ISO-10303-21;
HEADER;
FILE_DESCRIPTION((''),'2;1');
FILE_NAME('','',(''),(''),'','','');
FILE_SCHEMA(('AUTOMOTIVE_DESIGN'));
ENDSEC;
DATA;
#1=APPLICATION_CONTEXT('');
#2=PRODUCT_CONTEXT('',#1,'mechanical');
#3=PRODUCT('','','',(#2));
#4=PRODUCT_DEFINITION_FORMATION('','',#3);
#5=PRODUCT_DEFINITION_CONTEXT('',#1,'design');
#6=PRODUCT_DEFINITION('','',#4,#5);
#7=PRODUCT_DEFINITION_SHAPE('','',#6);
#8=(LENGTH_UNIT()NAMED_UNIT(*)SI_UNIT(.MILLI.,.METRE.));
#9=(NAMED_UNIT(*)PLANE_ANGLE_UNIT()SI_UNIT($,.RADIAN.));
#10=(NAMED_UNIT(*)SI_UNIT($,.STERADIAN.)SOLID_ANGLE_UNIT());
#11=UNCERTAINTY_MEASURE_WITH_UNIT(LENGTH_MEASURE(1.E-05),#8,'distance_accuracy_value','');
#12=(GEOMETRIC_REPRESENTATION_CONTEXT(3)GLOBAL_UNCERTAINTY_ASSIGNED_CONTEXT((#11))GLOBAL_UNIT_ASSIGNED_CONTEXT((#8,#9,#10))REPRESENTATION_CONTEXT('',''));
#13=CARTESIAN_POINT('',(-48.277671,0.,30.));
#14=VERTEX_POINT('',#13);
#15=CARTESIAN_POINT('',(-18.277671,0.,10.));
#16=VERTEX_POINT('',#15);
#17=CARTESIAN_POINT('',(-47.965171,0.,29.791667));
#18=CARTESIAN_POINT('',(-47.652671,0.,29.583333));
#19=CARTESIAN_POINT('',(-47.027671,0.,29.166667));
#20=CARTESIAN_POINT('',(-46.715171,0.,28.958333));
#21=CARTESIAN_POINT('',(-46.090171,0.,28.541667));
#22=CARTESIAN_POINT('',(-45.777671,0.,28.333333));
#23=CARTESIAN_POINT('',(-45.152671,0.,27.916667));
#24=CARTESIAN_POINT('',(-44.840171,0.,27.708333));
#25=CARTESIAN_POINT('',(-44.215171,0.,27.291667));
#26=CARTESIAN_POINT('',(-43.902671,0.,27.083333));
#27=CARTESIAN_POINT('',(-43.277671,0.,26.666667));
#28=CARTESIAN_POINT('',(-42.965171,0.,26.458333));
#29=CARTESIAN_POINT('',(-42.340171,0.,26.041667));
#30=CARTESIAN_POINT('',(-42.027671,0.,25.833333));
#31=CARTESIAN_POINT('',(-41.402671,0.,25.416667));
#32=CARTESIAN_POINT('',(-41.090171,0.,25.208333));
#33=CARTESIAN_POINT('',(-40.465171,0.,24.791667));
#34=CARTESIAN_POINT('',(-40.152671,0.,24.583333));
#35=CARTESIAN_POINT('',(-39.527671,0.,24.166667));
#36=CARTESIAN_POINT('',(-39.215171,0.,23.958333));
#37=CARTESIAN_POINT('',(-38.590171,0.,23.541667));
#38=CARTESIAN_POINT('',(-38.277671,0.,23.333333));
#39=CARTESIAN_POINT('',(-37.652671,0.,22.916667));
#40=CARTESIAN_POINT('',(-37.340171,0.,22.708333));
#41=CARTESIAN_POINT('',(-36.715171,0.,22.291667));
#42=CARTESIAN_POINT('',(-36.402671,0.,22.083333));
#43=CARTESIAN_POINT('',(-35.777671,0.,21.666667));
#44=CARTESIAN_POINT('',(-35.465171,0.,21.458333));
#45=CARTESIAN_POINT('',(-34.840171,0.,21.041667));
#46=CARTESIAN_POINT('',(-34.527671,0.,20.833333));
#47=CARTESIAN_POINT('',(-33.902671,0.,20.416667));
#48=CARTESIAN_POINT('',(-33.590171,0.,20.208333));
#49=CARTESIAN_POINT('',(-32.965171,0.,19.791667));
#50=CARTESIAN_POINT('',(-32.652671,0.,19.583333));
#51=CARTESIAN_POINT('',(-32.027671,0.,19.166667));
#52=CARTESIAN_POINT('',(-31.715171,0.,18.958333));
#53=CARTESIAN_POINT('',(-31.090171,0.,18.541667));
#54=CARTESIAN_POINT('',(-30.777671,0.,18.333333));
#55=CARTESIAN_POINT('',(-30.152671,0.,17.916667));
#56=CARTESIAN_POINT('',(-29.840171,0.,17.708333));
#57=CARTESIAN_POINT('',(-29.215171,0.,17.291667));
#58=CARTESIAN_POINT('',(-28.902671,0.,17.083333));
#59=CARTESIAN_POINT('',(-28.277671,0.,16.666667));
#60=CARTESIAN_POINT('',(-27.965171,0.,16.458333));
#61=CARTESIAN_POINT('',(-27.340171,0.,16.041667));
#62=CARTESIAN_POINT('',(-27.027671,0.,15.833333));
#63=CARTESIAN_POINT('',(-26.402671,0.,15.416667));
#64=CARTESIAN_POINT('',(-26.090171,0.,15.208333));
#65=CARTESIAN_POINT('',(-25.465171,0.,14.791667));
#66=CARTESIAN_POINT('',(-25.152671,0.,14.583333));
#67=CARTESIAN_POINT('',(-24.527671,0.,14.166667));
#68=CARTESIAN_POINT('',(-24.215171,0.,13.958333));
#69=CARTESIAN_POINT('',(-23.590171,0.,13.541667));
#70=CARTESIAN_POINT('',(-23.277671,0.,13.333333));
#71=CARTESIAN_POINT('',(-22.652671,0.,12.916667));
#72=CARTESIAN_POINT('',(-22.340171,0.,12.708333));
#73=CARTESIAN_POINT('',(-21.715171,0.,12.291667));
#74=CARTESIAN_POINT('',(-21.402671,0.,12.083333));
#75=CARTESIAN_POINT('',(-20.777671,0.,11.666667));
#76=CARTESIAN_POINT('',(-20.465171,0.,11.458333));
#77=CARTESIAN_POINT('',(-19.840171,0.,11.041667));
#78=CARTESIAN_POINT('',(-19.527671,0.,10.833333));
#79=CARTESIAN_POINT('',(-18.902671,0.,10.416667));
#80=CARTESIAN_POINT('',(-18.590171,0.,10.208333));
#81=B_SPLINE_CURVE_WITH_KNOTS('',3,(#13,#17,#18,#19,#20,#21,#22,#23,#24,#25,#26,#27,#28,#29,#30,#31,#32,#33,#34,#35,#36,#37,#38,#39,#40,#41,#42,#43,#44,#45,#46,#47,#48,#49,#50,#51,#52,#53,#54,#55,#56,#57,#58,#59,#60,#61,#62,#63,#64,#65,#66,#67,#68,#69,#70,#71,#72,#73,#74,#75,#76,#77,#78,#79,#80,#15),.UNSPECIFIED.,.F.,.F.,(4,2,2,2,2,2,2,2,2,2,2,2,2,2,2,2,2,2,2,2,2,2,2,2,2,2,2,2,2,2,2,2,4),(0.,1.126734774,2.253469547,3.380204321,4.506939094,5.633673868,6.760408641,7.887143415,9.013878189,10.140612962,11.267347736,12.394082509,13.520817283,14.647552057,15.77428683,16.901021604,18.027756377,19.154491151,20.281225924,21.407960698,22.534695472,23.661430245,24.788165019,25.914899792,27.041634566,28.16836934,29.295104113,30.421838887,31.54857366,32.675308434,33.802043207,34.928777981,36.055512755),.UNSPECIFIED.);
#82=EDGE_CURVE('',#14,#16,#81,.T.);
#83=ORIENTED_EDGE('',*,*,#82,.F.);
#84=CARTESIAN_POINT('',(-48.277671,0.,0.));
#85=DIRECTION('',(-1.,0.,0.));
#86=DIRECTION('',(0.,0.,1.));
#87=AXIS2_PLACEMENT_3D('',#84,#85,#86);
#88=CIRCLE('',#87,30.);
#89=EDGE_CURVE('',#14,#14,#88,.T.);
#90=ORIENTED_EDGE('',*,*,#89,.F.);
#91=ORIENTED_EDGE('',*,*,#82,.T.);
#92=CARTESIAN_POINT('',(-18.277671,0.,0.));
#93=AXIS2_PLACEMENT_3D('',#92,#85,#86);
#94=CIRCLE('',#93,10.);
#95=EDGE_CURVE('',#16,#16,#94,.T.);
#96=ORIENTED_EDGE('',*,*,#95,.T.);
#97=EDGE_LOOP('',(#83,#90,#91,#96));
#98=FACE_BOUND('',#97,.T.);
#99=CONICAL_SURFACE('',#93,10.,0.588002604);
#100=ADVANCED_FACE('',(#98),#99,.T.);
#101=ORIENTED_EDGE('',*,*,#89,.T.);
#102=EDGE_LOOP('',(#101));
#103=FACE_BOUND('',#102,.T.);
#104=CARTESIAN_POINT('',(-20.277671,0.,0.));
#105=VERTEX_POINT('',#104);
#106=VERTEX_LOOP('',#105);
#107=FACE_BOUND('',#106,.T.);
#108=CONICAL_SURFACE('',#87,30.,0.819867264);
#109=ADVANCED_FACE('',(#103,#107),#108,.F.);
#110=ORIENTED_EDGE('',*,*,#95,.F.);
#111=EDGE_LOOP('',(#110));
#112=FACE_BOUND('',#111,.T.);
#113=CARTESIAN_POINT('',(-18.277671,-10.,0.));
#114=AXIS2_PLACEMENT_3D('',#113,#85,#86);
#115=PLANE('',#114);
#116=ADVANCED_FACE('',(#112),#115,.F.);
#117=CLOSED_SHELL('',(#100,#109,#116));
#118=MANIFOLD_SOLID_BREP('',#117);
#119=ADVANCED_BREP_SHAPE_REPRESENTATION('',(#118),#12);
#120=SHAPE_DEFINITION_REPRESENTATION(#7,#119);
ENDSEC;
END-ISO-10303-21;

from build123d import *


with BuildPart() as part:
    # 草图1 → 旋转4 (revolve)
    with BuildSketch(Plane.XY, mode=Mode.PRIVATE) as revolve_4_sk:
        Polygon((-48.277671187, 30), (-18.277671187, 10), (-18.277671187, 0), (-20.277671187, 0), align=None)
    revolve(revolve_4_sk.sketch.rotate(Axis((-1153.69882865, 0, 0), (1, 0, 0)), 90), axis=Axis((-1153.69882865, 0, 0), (1, 0, 0)))


solid = part.part
